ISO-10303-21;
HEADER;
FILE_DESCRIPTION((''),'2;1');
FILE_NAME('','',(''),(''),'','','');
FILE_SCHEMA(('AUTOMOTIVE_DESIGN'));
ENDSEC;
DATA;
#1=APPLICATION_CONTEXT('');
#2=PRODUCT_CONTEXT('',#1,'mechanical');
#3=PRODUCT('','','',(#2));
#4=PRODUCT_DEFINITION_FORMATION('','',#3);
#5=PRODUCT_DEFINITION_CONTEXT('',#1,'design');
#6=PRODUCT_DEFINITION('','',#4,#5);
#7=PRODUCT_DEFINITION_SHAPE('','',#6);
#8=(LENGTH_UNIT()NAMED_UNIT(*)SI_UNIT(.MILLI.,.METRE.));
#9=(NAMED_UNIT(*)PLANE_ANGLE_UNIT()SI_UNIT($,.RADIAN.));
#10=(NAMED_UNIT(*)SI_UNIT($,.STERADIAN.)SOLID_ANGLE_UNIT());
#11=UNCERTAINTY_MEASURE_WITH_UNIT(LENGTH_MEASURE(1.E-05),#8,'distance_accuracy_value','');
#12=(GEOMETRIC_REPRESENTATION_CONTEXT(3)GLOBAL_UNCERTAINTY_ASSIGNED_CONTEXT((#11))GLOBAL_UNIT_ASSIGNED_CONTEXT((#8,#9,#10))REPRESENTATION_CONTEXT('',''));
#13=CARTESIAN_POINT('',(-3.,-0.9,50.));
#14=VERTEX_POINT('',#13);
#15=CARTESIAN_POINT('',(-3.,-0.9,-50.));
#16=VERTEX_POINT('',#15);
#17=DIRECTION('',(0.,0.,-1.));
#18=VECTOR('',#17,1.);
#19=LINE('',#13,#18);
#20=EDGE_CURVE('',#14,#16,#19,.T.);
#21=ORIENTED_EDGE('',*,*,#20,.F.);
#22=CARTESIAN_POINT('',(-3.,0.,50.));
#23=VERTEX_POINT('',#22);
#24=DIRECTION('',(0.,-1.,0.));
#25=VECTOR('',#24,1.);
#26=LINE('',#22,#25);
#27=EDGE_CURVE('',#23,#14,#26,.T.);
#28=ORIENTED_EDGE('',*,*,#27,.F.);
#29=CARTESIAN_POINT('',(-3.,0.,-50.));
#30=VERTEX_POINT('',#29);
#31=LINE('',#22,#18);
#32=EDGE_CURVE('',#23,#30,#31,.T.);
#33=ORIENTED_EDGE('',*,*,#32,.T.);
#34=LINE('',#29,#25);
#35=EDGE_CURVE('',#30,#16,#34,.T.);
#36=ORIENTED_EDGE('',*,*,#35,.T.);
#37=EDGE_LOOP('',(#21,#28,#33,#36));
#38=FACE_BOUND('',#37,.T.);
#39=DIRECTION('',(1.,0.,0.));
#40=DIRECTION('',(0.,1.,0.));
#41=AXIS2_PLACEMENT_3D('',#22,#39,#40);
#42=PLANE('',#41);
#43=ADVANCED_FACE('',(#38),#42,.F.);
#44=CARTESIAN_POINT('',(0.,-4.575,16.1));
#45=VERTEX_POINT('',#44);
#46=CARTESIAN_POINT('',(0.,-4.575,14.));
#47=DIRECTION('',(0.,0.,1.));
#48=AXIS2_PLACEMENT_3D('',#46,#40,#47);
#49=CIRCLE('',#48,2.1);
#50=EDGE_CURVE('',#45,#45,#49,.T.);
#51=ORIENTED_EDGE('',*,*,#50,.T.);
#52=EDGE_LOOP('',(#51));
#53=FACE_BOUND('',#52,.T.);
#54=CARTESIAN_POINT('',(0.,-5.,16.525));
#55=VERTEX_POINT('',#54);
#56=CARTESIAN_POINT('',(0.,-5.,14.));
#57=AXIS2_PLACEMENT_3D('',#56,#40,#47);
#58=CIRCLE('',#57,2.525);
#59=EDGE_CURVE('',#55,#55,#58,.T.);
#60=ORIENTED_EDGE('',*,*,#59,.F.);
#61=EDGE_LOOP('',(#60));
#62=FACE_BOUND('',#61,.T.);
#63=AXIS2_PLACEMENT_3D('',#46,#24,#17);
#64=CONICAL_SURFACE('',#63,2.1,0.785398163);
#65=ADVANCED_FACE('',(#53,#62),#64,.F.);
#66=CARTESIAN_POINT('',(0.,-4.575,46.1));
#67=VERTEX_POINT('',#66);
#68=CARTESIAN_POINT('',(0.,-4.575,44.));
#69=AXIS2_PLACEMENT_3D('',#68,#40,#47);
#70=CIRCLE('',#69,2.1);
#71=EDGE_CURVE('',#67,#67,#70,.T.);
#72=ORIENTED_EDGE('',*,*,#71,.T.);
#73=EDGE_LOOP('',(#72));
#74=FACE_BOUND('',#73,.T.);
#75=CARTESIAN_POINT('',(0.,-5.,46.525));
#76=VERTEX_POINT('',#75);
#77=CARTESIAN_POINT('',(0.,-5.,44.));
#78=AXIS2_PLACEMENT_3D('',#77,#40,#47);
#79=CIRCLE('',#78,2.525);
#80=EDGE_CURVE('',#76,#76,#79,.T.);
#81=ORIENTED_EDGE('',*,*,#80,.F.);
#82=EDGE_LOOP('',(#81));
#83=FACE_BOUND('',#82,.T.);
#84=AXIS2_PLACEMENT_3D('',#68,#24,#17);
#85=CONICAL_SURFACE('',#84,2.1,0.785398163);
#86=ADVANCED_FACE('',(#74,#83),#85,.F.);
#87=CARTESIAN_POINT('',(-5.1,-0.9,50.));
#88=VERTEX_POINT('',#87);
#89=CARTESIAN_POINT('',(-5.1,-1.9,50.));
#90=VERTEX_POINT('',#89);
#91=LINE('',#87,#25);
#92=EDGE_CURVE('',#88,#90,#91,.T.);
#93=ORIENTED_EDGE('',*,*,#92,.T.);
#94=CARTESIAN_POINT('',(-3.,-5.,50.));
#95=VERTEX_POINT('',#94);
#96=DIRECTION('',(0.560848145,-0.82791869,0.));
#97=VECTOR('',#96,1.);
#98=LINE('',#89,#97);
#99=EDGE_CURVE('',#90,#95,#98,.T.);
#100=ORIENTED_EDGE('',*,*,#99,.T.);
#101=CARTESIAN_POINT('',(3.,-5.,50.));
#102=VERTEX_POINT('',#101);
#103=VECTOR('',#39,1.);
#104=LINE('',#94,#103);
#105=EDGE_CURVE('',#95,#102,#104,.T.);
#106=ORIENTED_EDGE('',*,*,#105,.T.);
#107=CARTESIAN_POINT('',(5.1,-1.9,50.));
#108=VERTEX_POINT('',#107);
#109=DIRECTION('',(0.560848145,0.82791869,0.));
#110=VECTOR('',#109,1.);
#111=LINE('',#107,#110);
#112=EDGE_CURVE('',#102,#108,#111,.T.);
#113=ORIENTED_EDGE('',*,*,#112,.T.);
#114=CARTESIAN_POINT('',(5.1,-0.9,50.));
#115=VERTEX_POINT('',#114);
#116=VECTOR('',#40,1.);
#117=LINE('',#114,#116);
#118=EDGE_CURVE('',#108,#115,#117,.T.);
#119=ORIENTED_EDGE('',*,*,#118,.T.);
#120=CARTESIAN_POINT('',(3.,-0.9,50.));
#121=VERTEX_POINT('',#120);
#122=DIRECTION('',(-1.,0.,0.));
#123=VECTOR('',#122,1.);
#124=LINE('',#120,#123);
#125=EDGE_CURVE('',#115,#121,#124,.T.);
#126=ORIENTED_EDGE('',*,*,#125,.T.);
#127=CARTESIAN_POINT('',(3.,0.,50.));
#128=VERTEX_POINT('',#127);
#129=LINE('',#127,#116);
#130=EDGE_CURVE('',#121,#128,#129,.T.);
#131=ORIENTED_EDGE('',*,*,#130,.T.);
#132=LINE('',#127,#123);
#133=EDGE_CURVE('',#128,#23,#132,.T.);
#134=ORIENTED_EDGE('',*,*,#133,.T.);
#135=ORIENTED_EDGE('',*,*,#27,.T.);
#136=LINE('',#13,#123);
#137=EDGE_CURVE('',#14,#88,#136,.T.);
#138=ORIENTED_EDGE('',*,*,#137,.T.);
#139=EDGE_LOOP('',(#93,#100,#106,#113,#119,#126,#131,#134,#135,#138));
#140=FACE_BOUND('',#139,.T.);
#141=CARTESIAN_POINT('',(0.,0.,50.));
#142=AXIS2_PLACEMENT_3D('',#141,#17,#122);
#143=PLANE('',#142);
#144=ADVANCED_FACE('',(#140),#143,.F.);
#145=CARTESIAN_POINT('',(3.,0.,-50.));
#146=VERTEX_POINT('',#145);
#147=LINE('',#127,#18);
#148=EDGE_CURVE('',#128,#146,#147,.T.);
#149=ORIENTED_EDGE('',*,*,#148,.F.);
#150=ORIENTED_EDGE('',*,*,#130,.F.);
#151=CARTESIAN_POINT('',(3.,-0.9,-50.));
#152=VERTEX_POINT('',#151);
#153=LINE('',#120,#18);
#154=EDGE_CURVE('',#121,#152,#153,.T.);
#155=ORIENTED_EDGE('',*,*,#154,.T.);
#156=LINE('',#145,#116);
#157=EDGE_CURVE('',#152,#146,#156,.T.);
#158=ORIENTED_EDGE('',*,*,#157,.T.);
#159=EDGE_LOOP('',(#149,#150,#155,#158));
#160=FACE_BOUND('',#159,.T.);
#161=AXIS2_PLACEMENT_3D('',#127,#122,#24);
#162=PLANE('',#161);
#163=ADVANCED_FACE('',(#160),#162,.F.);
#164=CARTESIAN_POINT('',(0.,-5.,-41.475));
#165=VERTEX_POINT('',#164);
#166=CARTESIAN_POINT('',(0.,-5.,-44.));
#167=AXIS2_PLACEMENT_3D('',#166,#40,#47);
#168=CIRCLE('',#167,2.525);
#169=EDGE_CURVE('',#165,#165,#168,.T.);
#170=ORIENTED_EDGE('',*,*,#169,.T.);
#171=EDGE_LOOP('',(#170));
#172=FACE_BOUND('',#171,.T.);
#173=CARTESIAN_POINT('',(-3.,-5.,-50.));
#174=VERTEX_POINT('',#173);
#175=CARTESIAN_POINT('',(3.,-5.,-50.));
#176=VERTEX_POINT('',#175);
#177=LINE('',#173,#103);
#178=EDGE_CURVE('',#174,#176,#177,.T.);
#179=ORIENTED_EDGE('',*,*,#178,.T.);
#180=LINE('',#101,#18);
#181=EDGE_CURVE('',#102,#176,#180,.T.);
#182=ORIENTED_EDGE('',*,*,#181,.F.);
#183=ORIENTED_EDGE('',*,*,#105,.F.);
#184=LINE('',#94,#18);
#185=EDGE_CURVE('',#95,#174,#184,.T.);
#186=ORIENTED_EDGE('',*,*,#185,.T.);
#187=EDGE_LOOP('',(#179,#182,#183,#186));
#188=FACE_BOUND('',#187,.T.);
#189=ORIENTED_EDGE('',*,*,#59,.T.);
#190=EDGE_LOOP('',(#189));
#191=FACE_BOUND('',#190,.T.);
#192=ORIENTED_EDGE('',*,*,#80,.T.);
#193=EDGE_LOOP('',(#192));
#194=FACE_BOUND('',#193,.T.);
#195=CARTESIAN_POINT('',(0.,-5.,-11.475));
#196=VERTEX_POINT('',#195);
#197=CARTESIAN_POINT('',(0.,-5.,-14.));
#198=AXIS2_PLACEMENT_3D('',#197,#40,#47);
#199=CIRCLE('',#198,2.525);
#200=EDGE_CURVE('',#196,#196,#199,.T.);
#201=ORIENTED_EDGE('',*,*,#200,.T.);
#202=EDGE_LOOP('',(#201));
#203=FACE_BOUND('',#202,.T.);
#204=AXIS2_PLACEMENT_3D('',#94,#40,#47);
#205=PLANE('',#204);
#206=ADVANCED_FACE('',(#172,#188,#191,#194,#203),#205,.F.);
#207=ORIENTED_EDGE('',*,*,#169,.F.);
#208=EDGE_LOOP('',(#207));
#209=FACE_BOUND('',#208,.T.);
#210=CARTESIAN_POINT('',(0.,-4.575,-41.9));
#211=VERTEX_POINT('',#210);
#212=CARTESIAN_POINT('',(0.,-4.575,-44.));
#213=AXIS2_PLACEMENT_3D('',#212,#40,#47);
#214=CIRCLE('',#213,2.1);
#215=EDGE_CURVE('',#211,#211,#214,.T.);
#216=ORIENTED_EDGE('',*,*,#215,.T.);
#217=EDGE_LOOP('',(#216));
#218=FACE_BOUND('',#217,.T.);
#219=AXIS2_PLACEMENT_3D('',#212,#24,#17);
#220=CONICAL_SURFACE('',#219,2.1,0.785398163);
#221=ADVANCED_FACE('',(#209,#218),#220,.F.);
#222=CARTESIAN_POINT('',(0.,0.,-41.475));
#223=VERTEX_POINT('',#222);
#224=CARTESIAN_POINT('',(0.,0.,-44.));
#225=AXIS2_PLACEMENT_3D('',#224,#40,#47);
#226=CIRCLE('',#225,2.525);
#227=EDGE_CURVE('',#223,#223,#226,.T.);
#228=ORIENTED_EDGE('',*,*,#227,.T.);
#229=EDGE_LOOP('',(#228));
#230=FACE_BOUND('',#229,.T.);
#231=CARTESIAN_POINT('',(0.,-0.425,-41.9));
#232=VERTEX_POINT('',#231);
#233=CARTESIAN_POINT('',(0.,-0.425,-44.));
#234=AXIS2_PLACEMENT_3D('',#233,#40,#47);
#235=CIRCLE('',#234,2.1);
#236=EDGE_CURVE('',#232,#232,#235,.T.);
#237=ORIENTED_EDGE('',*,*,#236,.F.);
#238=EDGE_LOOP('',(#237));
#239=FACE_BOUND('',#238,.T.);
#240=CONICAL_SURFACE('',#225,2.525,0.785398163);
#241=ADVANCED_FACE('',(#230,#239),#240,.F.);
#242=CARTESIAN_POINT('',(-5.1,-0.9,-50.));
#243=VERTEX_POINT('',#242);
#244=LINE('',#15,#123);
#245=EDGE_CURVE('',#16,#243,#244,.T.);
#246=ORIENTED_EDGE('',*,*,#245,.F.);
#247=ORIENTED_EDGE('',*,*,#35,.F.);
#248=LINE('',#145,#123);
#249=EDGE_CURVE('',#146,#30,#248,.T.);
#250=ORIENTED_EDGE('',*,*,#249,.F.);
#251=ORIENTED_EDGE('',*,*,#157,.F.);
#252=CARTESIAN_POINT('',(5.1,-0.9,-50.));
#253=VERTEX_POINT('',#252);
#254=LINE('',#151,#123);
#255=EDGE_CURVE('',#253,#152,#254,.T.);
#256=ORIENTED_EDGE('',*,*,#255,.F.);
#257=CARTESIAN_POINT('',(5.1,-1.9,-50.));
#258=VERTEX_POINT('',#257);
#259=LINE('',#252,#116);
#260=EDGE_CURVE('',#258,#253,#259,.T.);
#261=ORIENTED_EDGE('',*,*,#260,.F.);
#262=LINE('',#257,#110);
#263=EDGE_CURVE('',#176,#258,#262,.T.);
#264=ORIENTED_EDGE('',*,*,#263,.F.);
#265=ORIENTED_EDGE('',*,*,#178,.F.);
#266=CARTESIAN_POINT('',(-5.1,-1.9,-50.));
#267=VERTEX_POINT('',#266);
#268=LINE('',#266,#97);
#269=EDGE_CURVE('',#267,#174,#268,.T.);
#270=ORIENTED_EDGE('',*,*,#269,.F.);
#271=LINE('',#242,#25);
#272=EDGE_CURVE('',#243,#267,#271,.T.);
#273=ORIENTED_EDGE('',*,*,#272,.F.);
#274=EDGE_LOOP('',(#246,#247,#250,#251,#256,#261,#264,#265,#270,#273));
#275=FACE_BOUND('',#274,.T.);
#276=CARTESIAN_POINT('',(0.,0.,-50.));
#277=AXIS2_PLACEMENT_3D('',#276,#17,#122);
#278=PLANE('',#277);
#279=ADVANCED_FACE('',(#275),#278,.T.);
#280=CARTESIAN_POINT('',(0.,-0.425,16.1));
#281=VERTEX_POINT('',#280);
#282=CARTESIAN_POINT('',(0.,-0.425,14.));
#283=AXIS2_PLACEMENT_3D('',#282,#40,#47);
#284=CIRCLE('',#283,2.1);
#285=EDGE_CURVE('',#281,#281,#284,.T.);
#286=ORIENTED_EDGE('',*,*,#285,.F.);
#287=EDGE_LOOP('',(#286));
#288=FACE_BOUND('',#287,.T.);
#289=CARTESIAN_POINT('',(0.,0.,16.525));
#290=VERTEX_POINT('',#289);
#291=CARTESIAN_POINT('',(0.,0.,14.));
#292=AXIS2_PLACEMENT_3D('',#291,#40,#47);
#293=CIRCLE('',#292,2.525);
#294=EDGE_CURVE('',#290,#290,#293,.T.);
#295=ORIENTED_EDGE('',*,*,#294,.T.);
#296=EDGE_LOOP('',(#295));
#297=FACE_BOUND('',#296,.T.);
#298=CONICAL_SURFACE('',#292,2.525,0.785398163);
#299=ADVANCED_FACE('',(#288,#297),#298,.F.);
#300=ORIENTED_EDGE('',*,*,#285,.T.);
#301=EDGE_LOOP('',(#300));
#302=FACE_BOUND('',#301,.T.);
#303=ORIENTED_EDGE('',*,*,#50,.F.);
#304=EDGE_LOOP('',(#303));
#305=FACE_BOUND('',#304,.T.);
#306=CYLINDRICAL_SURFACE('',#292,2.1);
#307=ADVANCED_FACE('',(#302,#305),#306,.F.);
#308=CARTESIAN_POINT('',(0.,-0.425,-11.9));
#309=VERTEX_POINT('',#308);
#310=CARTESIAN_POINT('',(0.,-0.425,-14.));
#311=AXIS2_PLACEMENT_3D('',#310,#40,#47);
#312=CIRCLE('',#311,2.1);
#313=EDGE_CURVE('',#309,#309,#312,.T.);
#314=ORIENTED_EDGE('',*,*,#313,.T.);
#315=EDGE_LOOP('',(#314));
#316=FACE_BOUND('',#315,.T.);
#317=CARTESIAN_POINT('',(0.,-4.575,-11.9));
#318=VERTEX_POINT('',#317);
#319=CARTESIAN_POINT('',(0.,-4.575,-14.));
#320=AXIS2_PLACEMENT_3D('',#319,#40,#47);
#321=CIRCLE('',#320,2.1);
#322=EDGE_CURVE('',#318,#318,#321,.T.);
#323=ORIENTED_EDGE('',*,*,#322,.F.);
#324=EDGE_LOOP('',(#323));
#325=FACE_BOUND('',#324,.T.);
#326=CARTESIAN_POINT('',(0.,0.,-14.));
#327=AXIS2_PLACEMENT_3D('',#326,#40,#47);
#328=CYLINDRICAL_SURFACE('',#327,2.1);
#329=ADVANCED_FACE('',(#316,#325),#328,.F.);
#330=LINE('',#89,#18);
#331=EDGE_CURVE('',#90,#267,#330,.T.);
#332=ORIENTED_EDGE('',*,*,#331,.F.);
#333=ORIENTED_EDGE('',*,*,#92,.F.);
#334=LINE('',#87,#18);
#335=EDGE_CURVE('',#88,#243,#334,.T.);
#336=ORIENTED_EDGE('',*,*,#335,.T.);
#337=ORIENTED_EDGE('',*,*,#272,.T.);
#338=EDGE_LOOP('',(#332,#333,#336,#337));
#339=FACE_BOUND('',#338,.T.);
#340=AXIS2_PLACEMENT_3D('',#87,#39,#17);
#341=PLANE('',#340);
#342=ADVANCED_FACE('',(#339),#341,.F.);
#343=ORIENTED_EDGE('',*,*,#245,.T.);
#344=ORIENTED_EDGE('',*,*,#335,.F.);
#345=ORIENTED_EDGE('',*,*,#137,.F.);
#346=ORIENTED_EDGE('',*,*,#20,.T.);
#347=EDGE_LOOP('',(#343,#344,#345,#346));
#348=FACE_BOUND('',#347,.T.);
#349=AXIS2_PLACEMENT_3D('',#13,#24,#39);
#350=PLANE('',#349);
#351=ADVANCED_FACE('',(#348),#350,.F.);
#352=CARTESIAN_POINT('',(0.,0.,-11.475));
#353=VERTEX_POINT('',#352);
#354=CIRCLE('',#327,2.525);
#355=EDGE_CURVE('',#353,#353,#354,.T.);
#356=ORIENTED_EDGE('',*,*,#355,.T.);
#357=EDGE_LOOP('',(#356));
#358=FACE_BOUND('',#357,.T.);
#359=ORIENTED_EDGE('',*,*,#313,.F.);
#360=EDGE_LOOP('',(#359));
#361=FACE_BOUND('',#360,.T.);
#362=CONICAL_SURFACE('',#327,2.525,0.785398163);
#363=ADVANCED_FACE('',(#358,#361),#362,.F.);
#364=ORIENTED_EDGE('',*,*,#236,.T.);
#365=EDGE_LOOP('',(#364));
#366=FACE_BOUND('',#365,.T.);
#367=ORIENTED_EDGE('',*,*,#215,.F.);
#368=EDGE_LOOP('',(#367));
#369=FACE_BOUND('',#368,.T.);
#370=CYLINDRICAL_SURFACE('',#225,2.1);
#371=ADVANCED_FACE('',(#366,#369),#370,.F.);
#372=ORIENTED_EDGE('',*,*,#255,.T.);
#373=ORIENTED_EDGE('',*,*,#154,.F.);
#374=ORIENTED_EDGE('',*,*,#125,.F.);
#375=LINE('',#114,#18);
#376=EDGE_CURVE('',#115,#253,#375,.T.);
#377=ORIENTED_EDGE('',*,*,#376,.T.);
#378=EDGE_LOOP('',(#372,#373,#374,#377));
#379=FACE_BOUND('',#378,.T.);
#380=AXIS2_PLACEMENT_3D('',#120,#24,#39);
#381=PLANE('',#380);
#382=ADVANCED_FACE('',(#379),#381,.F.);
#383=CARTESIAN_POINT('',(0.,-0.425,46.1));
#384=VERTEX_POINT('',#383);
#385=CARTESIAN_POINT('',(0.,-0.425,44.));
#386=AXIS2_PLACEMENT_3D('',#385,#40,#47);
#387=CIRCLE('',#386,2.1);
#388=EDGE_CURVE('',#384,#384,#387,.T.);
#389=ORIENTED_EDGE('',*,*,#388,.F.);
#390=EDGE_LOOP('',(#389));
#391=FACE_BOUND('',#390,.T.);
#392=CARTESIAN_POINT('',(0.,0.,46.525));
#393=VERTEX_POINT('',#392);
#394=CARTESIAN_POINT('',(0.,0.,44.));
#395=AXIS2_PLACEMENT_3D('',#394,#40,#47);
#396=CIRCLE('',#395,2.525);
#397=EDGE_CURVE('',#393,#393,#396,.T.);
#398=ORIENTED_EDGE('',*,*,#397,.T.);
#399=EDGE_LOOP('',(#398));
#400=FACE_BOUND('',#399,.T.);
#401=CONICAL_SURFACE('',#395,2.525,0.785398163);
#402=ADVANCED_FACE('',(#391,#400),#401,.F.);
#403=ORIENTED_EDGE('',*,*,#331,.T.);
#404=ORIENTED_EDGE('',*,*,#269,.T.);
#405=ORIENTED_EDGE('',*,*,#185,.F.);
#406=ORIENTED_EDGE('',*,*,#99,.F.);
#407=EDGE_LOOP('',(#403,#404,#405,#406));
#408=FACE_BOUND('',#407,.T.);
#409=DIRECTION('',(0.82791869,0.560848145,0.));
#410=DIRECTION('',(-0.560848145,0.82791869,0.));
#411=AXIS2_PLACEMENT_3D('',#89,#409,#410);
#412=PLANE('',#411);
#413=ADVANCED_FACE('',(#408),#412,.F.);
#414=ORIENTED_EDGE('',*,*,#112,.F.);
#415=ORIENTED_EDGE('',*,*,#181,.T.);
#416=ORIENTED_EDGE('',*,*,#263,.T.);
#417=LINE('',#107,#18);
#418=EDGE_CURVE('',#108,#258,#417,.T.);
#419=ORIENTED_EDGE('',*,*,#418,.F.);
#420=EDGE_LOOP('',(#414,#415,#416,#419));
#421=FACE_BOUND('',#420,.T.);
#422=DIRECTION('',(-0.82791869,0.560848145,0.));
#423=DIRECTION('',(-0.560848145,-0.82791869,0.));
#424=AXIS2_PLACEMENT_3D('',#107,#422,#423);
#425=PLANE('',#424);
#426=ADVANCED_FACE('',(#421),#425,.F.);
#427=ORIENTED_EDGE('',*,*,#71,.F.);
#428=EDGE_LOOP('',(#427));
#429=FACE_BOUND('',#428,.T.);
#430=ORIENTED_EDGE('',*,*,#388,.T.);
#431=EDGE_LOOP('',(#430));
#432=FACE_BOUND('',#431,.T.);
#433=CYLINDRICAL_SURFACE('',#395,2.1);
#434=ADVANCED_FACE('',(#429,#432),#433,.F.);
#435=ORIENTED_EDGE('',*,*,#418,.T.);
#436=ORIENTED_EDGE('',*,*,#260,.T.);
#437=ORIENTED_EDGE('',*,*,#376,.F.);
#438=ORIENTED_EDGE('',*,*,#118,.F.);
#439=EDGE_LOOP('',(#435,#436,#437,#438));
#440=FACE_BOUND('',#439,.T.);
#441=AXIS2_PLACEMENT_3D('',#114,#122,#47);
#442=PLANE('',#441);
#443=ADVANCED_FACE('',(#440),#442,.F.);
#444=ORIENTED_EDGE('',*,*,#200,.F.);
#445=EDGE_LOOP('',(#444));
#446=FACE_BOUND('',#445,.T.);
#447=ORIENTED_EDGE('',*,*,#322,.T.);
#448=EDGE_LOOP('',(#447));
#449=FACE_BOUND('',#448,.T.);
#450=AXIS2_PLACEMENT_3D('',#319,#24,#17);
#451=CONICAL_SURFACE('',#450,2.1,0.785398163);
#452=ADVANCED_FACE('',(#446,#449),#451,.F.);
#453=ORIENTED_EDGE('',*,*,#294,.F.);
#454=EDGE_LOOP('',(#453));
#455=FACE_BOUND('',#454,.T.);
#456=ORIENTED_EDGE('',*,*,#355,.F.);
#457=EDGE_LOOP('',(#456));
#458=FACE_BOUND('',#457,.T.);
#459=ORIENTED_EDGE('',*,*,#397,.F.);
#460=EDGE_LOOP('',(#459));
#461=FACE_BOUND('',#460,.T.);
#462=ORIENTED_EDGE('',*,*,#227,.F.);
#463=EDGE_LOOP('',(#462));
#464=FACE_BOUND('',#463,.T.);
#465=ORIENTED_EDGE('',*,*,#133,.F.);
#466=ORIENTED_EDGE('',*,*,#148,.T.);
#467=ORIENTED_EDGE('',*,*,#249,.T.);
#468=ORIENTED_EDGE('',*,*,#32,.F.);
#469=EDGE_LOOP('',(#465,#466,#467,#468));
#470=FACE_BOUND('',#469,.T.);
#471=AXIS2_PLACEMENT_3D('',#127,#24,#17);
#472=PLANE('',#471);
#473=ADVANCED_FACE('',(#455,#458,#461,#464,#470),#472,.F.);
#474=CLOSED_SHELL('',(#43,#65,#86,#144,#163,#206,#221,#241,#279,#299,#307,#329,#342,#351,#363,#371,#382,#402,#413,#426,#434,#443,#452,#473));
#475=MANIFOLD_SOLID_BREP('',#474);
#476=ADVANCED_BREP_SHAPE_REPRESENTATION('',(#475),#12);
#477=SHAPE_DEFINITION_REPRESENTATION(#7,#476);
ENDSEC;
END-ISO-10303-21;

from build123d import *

# Parameters (mm, degrees)
EXTRUDE_1_DEPTH            = 50
HOLE_WIZARD_M51_AT_2_COUNT = 2
HOLE_WIZARD_M51_AT_2_PITCH = 30
HOLE_WIZARD_M51_AT_3_COUNT = 2
HOLE_WIZARD_M51_AT_3_PITCH = 58
HOLE_WIZARD_M51_AT_4_COUNT = 2
HOLE_WIZARD_M51_AT_4_PITCH = 88


with BuildPart() as part:
    # Эскиз1 → Бобышка-Вытянуть1 (new body, symmetric)
    with BuildSketch(Plane.XY):
        Polygon((3, 0), (-3, 0), (-3, -0.9), (-5.1, -0.9), (-5.1, -1.9), (-3, -5), (3, -5), (5.1, -1.9), (5.1, -0.9), (3, -0.9), align=None)
    extrude(amount=EXTRUDE_1_DEPTH, both=True)

    # Эскиз4 → Отверстие обработанное метчиком M51 (revolve, cut)
    with BuildSketch(Plane(origin=(0, 0, -44), x_dir=(0, 0, 1), z_dir=(1, 0, 0))):
        Polygon((0, 0), (0, 5), (2.525, 5), (2.1, 4.575), (2.1, 0.425), (2.525, 0), align=None)
    hole_wizard_m51 = revolve(axis=Axis((0, 6.35, -44), (0, -1, 0)), mode=Mode.SUBTRACT)

    # Отверстие обработанное метчиком M51 at 2: Отверстие обработанное метчиком M51 ×2
    with Locations(*[(0, 0, i * HOLE_WIZARD_M51_AT_2_PITCH) for i in range(1, HOLE_WIZARD_M51_AT_2_COUNT)]):
        add(hole_wizard_m51, mode=Mode.SUBTRACT)

    # Отверстие обработанное метчиком M51 at 3: Отверстие обработанное метчиком M51 ×2
    with Locations(*[(0, 0, i * HOLE_WIZARD_M51_AT_3_PITCH) for i in range(1, HOLE_WIZARD_M51_AT_3_COUNT)]):
        add(hole_wizard_m51, mode=Mode.SUBTRACT)

    # Отверстие обработанное метчиком M51 at 4: Отверстие обработанное метчиком M51 ×2
    with Locations(*[(0, 0, i * HOLE_WIZARD_M51_AT_4_PITCH) for i in range(1, HOLE_WIZARD_M51_AT_4_COUNT)]):
        add(hole_wizard_m51, mode=Mode.SUBTRACT)


solid = part.part
